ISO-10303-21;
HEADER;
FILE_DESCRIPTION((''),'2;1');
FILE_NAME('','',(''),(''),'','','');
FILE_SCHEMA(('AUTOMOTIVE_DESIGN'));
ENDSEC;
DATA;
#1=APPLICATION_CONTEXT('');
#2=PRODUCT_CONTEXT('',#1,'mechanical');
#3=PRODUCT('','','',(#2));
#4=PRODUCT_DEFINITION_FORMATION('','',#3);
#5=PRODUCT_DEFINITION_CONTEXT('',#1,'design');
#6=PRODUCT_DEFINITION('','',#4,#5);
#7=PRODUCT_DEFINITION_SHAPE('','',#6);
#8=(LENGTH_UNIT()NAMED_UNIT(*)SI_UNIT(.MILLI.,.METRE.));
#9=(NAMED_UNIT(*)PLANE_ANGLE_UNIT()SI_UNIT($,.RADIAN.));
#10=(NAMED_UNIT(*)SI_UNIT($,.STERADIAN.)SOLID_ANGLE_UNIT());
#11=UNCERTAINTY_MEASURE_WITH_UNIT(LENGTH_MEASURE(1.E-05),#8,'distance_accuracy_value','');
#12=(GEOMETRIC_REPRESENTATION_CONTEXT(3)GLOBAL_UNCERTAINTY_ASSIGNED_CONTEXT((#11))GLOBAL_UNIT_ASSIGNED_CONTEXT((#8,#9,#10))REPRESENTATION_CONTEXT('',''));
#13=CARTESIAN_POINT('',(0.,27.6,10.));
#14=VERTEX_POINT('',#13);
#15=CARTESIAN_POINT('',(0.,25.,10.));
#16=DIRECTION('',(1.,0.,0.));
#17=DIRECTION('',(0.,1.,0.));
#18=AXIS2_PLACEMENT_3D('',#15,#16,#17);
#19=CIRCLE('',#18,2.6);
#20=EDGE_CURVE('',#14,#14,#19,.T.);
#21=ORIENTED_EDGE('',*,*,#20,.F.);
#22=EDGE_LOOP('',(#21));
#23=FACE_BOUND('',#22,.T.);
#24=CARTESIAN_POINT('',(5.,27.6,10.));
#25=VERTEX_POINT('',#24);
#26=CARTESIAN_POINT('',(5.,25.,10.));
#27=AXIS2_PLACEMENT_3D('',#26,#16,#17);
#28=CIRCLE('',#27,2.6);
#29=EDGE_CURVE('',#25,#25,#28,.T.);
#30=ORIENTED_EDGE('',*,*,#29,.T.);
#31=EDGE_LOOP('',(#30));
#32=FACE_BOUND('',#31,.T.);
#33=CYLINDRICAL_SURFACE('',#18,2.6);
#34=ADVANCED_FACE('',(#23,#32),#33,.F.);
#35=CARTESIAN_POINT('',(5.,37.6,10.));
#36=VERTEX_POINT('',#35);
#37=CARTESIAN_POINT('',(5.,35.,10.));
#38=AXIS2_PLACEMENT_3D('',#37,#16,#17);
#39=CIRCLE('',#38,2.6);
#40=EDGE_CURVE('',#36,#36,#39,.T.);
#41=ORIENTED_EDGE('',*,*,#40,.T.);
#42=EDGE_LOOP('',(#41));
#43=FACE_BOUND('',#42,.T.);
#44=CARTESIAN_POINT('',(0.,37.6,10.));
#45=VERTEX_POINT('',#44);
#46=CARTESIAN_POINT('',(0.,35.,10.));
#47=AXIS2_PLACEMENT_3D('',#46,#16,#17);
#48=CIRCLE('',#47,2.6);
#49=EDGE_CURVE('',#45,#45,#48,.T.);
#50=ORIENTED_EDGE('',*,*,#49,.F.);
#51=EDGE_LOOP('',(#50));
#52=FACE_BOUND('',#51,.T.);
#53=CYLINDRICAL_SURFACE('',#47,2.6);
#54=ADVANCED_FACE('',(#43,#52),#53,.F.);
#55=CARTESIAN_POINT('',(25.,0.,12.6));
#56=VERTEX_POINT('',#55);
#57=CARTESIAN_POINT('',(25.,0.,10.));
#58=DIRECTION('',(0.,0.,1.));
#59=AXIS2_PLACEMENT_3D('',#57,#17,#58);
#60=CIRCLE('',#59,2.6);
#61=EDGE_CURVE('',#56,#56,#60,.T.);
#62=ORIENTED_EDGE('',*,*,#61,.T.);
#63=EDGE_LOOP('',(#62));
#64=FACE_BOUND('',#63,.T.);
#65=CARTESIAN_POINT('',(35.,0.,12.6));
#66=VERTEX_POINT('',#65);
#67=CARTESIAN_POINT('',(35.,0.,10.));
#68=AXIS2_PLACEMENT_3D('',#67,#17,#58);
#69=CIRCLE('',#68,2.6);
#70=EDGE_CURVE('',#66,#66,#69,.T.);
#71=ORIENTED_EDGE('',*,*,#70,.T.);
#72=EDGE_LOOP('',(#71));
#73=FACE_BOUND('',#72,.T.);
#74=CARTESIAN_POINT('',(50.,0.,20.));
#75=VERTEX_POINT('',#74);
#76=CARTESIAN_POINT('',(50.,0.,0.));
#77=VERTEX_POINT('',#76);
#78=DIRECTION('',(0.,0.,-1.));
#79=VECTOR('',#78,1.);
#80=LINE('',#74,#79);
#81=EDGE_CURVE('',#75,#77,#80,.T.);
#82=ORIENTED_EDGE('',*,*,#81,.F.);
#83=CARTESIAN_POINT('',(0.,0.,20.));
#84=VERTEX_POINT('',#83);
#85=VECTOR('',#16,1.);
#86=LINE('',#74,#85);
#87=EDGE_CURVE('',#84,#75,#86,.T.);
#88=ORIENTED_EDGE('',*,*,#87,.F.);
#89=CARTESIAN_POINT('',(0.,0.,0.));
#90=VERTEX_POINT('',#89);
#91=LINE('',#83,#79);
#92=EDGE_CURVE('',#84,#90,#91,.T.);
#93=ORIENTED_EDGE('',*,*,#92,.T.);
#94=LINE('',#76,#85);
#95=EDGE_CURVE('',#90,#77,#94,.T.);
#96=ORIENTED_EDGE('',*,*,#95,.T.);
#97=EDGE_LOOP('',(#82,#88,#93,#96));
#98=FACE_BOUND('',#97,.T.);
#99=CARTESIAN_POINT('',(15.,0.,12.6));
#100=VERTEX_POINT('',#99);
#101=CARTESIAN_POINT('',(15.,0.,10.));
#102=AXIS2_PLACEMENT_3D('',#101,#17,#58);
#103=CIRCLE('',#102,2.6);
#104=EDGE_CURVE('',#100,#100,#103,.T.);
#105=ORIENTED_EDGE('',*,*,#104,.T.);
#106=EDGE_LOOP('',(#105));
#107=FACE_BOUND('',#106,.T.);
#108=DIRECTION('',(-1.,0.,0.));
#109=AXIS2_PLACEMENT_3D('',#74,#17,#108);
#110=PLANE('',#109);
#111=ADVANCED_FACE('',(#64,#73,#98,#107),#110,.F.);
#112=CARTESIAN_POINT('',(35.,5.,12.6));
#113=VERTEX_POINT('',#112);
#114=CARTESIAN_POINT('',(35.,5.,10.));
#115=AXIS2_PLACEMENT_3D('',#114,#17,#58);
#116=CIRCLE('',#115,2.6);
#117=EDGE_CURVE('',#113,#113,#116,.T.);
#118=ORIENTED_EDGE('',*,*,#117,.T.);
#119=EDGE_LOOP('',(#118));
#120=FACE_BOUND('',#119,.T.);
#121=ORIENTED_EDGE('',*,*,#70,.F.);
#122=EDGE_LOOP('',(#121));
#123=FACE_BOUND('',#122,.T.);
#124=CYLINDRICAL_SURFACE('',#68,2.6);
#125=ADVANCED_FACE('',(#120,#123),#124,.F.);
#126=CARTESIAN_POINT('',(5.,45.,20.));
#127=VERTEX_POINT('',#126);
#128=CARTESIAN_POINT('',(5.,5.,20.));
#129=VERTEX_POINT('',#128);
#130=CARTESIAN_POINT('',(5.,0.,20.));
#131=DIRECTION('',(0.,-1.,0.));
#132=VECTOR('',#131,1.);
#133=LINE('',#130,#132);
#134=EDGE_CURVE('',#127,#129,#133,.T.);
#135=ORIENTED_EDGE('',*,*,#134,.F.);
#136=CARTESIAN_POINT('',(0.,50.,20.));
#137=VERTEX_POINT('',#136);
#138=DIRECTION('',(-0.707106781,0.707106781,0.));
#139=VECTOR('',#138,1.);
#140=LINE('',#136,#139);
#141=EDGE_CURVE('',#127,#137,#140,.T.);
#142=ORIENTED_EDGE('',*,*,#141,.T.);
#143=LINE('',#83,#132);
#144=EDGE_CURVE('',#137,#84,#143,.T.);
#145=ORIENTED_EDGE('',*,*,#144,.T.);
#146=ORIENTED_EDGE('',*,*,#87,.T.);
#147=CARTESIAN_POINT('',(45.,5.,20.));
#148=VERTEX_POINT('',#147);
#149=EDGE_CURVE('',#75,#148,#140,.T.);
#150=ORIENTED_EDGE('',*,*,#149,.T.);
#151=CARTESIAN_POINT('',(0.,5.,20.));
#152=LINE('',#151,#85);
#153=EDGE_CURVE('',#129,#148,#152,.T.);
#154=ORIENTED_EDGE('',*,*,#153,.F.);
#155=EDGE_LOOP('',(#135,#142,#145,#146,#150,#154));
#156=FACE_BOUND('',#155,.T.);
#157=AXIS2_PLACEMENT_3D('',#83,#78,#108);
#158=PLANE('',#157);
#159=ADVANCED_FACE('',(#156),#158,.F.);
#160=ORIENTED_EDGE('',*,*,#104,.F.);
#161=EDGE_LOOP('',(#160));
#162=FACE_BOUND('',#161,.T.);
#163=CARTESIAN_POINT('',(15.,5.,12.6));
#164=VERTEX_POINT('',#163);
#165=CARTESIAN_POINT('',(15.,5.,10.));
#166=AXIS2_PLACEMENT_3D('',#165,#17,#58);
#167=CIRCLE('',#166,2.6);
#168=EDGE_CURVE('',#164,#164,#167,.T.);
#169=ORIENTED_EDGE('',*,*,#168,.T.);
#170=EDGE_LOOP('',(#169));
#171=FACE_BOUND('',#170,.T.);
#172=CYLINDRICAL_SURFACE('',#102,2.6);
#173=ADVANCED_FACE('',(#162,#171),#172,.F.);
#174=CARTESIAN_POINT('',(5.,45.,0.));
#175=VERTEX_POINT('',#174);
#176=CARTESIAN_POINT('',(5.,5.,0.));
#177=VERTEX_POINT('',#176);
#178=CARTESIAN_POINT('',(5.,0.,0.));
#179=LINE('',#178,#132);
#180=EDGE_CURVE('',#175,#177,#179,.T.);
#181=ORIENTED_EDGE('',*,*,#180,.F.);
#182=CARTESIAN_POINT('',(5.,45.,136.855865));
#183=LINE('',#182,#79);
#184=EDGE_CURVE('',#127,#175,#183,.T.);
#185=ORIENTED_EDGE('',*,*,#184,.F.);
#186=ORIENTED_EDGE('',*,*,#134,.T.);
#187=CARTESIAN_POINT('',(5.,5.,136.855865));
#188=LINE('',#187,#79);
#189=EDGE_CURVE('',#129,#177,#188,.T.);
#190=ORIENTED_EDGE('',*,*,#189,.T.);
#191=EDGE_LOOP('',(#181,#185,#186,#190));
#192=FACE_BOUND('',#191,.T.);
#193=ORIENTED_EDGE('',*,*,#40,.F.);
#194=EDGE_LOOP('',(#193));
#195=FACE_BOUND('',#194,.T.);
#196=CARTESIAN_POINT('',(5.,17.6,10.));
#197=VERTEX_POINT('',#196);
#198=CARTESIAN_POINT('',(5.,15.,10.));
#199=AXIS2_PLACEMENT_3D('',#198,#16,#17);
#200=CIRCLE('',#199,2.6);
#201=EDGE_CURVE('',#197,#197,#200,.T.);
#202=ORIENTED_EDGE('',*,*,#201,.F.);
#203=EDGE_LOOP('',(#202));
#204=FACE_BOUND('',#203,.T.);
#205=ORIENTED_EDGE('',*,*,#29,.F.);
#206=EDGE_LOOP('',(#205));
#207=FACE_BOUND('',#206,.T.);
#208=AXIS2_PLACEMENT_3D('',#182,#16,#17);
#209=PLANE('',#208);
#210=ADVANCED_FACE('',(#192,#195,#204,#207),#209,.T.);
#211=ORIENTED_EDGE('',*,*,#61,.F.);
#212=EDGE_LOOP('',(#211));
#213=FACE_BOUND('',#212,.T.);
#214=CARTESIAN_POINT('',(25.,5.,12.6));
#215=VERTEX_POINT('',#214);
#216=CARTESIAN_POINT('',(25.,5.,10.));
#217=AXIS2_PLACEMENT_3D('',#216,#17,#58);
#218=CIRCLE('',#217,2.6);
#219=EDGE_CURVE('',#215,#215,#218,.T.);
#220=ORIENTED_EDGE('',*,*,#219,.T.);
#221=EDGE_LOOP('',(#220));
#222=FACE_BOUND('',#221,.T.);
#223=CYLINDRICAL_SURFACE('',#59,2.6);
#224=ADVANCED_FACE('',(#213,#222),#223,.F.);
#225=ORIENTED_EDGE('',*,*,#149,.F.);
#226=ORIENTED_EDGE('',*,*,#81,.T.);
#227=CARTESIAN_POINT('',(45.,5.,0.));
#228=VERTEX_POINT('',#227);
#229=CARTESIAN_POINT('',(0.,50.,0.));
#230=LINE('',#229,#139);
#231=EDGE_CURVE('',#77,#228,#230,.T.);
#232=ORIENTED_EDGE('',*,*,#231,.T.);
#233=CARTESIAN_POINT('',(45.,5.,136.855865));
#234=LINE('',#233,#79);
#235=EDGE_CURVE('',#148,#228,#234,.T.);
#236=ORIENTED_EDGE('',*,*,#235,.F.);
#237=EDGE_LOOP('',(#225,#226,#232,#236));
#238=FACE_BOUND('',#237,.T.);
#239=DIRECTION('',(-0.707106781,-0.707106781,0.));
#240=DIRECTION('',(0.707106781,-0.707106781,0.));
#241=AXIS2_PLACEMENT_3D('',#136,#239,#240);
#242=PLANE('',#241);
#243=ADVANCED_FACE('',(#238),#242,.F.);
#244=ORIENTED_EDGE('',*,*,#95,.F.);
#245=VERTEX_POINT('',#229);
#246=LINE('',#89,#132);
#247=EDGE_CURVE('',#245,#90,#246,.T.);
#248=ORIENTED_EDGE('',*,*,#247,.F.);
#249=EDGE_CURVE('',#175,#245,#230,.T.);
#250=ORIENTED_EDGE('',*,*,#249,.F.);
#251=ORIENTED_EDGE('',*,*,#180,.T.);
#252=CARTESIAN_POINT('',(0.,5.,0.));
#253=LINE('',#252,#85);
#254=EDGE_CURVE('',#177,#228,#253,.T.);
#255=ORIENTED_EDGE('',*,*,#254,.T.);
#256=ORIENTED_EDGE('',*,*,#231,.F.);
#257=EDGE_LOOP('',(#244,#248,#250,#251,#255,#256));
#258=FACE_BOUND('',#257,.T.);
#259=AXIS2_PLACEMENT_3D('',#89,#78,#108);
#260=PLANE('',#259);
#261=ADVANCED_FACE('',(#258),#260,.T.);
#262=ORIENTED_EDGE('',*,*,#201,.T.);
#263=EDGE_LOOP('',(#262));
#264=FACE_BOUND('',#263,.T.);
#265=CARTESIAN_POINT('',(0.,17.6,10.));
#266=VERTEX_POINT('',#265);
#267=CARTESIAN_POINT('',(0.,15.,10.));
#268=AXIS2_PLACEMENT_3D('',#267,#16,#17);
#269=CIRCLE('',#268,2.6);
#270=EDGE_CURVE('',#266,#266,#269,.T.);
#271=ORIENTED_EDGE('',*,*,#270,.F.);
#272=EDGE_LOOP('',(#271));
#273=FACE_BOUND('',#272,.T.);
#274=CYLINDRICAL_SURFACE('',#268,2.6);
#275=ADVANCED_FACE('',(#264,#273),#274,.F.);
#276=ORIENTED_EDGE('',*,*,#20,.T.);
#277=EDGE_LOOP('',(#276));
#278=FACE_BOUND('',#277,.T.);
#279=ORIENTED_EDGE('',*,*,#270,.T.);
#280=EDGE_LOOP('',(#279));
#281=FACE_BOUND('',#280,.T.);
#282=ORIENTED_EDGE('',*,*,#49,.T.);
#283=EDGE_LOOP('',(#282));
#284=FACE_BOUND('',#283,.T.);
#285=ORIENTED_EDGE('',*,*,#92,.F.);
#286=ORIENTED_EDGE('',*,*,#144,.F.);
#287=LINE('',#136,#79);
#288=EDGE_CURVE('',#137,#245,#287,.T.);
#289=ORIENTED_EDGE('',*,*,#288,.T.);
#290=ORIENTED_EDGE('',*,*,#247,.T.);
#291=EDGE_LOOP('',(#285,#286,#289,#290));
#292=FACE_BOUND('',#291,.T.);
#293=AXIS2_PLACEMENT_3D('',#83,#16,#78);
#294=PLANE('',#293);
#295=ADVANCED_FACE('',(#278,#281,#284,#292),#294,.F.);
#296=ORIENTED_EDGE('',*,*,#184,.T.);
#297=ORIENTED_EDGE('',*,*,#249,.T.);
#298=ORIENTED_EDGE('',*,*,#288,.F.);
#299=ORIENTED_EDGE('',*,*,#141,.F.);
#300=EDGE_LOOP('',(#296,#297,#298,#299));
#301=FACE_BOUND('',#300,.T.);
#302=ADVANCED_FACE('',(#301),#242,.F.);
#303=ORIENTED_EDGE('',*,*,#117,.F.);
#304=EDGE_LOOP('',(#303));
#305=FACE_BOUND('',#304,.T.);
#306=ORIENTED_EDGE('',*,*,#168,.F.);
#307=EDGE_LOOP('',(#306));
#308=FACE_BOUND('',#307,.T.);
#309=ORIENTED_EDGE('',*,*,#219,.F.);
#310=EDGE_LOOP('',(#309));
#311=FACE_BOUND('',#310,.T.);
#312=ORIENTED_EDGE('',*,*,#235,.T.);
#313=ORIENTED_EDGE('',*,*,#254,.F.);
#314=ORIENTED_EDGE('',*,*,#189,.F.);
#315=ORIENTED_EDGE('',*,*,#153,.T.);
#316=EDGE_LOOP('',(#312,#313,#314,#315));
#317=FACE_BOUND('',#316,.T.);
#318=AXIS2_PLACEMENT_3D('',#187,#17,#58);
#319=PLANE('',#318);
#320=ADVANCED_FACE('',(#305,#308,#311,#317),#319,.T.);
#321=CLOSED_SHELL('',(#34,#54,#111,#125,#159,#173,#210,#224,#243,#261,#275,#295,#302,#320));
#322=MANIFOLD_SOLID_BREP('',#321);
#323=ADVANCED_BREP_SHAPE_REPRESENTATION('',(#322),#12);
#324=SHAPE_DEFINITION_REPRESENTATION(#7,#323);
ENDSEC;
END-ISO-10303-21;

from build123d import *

# Parameters (mm, degrees)
BOSS_EXTRUDE1_DEPTH     = 20
CUT_EXTRUDE1_DEPTH      = 1
CUT_EXTRUDE1_DEPTH_BACK = 21
SKETCH4_R               = 2.6
CUT_EXTRUDE2_DEPTH      = 6
SKETCH5_R               = 2.6
CUT_EXTRUDE3_DEPTH      = 6


with BuildPart() as part:
    # Sketch1 → Boss-Extrude1 (new body)
    with BuildSketch(Plane.XY):
        Polygon((0, 0), (0, 50), (50, 0), align=None)
    extrude(amount=BOSS_EXTRUDE1_DEPTH)

    # Sketch2 → Cut-Extrude1 (cut, two sides)
    with BuildSketch(Plane.XY.offset(20)) as cut_extrude1_sk:
        Polygon((5, 182.279220614), (5, 45), (5, 5), (45, 5), (182.279220614, 5), (376.421356237, 199.142135624), (199.142135624, 376.421356237), align=None)
    extrude(amount=CUT_EXTRUDE1_DEPTH, mode=Mode.SUBTRACT)
    extrude(cut_extrude1_sk.sketch, amount=-CUT_EXTRUDE1_DEPTH_BACK, mode=Mode.SUBTRACT)

    # Sketch4 → Cut-Extrude2 (cut, through all)
    with BuildSketch(Plane(origin=(5, 0, 0), x_dir=(0, 0, -1), z_dir=(1, 0, 0))):
        with Locations((-10, 35)):
            Circle(SKETCH4_R)
        with Locations((-10, 25)):
            Circle(SKETCH4_R)
        with Locations((-10, 15)):
            Circle(SKETCH4_R)
    extrude(amount=-CUT_EXTRUDE2_DEPTH, mode=Mode.SUBTRACT)

    # Sketch5 → Cut-Extrude3 (cut, through all)
    with BuildSketch(Plane(origin=(0, 5, 0), x_dir=(1, 0, 0), z_dir=(0, 1, 0))):
        with Locations((35, -10)):
            Circle(SKETCH5_R)
        with Locations((25, -10)):
            Circle(SKETCH5_R)
        with Locations((15, -10)):
            Circle(SKETCH5_R)
    extrude(amount=-CUT_EXTRUDE3_DEPTH, mode=Mode.SUBTRACT)


solid = part.part
